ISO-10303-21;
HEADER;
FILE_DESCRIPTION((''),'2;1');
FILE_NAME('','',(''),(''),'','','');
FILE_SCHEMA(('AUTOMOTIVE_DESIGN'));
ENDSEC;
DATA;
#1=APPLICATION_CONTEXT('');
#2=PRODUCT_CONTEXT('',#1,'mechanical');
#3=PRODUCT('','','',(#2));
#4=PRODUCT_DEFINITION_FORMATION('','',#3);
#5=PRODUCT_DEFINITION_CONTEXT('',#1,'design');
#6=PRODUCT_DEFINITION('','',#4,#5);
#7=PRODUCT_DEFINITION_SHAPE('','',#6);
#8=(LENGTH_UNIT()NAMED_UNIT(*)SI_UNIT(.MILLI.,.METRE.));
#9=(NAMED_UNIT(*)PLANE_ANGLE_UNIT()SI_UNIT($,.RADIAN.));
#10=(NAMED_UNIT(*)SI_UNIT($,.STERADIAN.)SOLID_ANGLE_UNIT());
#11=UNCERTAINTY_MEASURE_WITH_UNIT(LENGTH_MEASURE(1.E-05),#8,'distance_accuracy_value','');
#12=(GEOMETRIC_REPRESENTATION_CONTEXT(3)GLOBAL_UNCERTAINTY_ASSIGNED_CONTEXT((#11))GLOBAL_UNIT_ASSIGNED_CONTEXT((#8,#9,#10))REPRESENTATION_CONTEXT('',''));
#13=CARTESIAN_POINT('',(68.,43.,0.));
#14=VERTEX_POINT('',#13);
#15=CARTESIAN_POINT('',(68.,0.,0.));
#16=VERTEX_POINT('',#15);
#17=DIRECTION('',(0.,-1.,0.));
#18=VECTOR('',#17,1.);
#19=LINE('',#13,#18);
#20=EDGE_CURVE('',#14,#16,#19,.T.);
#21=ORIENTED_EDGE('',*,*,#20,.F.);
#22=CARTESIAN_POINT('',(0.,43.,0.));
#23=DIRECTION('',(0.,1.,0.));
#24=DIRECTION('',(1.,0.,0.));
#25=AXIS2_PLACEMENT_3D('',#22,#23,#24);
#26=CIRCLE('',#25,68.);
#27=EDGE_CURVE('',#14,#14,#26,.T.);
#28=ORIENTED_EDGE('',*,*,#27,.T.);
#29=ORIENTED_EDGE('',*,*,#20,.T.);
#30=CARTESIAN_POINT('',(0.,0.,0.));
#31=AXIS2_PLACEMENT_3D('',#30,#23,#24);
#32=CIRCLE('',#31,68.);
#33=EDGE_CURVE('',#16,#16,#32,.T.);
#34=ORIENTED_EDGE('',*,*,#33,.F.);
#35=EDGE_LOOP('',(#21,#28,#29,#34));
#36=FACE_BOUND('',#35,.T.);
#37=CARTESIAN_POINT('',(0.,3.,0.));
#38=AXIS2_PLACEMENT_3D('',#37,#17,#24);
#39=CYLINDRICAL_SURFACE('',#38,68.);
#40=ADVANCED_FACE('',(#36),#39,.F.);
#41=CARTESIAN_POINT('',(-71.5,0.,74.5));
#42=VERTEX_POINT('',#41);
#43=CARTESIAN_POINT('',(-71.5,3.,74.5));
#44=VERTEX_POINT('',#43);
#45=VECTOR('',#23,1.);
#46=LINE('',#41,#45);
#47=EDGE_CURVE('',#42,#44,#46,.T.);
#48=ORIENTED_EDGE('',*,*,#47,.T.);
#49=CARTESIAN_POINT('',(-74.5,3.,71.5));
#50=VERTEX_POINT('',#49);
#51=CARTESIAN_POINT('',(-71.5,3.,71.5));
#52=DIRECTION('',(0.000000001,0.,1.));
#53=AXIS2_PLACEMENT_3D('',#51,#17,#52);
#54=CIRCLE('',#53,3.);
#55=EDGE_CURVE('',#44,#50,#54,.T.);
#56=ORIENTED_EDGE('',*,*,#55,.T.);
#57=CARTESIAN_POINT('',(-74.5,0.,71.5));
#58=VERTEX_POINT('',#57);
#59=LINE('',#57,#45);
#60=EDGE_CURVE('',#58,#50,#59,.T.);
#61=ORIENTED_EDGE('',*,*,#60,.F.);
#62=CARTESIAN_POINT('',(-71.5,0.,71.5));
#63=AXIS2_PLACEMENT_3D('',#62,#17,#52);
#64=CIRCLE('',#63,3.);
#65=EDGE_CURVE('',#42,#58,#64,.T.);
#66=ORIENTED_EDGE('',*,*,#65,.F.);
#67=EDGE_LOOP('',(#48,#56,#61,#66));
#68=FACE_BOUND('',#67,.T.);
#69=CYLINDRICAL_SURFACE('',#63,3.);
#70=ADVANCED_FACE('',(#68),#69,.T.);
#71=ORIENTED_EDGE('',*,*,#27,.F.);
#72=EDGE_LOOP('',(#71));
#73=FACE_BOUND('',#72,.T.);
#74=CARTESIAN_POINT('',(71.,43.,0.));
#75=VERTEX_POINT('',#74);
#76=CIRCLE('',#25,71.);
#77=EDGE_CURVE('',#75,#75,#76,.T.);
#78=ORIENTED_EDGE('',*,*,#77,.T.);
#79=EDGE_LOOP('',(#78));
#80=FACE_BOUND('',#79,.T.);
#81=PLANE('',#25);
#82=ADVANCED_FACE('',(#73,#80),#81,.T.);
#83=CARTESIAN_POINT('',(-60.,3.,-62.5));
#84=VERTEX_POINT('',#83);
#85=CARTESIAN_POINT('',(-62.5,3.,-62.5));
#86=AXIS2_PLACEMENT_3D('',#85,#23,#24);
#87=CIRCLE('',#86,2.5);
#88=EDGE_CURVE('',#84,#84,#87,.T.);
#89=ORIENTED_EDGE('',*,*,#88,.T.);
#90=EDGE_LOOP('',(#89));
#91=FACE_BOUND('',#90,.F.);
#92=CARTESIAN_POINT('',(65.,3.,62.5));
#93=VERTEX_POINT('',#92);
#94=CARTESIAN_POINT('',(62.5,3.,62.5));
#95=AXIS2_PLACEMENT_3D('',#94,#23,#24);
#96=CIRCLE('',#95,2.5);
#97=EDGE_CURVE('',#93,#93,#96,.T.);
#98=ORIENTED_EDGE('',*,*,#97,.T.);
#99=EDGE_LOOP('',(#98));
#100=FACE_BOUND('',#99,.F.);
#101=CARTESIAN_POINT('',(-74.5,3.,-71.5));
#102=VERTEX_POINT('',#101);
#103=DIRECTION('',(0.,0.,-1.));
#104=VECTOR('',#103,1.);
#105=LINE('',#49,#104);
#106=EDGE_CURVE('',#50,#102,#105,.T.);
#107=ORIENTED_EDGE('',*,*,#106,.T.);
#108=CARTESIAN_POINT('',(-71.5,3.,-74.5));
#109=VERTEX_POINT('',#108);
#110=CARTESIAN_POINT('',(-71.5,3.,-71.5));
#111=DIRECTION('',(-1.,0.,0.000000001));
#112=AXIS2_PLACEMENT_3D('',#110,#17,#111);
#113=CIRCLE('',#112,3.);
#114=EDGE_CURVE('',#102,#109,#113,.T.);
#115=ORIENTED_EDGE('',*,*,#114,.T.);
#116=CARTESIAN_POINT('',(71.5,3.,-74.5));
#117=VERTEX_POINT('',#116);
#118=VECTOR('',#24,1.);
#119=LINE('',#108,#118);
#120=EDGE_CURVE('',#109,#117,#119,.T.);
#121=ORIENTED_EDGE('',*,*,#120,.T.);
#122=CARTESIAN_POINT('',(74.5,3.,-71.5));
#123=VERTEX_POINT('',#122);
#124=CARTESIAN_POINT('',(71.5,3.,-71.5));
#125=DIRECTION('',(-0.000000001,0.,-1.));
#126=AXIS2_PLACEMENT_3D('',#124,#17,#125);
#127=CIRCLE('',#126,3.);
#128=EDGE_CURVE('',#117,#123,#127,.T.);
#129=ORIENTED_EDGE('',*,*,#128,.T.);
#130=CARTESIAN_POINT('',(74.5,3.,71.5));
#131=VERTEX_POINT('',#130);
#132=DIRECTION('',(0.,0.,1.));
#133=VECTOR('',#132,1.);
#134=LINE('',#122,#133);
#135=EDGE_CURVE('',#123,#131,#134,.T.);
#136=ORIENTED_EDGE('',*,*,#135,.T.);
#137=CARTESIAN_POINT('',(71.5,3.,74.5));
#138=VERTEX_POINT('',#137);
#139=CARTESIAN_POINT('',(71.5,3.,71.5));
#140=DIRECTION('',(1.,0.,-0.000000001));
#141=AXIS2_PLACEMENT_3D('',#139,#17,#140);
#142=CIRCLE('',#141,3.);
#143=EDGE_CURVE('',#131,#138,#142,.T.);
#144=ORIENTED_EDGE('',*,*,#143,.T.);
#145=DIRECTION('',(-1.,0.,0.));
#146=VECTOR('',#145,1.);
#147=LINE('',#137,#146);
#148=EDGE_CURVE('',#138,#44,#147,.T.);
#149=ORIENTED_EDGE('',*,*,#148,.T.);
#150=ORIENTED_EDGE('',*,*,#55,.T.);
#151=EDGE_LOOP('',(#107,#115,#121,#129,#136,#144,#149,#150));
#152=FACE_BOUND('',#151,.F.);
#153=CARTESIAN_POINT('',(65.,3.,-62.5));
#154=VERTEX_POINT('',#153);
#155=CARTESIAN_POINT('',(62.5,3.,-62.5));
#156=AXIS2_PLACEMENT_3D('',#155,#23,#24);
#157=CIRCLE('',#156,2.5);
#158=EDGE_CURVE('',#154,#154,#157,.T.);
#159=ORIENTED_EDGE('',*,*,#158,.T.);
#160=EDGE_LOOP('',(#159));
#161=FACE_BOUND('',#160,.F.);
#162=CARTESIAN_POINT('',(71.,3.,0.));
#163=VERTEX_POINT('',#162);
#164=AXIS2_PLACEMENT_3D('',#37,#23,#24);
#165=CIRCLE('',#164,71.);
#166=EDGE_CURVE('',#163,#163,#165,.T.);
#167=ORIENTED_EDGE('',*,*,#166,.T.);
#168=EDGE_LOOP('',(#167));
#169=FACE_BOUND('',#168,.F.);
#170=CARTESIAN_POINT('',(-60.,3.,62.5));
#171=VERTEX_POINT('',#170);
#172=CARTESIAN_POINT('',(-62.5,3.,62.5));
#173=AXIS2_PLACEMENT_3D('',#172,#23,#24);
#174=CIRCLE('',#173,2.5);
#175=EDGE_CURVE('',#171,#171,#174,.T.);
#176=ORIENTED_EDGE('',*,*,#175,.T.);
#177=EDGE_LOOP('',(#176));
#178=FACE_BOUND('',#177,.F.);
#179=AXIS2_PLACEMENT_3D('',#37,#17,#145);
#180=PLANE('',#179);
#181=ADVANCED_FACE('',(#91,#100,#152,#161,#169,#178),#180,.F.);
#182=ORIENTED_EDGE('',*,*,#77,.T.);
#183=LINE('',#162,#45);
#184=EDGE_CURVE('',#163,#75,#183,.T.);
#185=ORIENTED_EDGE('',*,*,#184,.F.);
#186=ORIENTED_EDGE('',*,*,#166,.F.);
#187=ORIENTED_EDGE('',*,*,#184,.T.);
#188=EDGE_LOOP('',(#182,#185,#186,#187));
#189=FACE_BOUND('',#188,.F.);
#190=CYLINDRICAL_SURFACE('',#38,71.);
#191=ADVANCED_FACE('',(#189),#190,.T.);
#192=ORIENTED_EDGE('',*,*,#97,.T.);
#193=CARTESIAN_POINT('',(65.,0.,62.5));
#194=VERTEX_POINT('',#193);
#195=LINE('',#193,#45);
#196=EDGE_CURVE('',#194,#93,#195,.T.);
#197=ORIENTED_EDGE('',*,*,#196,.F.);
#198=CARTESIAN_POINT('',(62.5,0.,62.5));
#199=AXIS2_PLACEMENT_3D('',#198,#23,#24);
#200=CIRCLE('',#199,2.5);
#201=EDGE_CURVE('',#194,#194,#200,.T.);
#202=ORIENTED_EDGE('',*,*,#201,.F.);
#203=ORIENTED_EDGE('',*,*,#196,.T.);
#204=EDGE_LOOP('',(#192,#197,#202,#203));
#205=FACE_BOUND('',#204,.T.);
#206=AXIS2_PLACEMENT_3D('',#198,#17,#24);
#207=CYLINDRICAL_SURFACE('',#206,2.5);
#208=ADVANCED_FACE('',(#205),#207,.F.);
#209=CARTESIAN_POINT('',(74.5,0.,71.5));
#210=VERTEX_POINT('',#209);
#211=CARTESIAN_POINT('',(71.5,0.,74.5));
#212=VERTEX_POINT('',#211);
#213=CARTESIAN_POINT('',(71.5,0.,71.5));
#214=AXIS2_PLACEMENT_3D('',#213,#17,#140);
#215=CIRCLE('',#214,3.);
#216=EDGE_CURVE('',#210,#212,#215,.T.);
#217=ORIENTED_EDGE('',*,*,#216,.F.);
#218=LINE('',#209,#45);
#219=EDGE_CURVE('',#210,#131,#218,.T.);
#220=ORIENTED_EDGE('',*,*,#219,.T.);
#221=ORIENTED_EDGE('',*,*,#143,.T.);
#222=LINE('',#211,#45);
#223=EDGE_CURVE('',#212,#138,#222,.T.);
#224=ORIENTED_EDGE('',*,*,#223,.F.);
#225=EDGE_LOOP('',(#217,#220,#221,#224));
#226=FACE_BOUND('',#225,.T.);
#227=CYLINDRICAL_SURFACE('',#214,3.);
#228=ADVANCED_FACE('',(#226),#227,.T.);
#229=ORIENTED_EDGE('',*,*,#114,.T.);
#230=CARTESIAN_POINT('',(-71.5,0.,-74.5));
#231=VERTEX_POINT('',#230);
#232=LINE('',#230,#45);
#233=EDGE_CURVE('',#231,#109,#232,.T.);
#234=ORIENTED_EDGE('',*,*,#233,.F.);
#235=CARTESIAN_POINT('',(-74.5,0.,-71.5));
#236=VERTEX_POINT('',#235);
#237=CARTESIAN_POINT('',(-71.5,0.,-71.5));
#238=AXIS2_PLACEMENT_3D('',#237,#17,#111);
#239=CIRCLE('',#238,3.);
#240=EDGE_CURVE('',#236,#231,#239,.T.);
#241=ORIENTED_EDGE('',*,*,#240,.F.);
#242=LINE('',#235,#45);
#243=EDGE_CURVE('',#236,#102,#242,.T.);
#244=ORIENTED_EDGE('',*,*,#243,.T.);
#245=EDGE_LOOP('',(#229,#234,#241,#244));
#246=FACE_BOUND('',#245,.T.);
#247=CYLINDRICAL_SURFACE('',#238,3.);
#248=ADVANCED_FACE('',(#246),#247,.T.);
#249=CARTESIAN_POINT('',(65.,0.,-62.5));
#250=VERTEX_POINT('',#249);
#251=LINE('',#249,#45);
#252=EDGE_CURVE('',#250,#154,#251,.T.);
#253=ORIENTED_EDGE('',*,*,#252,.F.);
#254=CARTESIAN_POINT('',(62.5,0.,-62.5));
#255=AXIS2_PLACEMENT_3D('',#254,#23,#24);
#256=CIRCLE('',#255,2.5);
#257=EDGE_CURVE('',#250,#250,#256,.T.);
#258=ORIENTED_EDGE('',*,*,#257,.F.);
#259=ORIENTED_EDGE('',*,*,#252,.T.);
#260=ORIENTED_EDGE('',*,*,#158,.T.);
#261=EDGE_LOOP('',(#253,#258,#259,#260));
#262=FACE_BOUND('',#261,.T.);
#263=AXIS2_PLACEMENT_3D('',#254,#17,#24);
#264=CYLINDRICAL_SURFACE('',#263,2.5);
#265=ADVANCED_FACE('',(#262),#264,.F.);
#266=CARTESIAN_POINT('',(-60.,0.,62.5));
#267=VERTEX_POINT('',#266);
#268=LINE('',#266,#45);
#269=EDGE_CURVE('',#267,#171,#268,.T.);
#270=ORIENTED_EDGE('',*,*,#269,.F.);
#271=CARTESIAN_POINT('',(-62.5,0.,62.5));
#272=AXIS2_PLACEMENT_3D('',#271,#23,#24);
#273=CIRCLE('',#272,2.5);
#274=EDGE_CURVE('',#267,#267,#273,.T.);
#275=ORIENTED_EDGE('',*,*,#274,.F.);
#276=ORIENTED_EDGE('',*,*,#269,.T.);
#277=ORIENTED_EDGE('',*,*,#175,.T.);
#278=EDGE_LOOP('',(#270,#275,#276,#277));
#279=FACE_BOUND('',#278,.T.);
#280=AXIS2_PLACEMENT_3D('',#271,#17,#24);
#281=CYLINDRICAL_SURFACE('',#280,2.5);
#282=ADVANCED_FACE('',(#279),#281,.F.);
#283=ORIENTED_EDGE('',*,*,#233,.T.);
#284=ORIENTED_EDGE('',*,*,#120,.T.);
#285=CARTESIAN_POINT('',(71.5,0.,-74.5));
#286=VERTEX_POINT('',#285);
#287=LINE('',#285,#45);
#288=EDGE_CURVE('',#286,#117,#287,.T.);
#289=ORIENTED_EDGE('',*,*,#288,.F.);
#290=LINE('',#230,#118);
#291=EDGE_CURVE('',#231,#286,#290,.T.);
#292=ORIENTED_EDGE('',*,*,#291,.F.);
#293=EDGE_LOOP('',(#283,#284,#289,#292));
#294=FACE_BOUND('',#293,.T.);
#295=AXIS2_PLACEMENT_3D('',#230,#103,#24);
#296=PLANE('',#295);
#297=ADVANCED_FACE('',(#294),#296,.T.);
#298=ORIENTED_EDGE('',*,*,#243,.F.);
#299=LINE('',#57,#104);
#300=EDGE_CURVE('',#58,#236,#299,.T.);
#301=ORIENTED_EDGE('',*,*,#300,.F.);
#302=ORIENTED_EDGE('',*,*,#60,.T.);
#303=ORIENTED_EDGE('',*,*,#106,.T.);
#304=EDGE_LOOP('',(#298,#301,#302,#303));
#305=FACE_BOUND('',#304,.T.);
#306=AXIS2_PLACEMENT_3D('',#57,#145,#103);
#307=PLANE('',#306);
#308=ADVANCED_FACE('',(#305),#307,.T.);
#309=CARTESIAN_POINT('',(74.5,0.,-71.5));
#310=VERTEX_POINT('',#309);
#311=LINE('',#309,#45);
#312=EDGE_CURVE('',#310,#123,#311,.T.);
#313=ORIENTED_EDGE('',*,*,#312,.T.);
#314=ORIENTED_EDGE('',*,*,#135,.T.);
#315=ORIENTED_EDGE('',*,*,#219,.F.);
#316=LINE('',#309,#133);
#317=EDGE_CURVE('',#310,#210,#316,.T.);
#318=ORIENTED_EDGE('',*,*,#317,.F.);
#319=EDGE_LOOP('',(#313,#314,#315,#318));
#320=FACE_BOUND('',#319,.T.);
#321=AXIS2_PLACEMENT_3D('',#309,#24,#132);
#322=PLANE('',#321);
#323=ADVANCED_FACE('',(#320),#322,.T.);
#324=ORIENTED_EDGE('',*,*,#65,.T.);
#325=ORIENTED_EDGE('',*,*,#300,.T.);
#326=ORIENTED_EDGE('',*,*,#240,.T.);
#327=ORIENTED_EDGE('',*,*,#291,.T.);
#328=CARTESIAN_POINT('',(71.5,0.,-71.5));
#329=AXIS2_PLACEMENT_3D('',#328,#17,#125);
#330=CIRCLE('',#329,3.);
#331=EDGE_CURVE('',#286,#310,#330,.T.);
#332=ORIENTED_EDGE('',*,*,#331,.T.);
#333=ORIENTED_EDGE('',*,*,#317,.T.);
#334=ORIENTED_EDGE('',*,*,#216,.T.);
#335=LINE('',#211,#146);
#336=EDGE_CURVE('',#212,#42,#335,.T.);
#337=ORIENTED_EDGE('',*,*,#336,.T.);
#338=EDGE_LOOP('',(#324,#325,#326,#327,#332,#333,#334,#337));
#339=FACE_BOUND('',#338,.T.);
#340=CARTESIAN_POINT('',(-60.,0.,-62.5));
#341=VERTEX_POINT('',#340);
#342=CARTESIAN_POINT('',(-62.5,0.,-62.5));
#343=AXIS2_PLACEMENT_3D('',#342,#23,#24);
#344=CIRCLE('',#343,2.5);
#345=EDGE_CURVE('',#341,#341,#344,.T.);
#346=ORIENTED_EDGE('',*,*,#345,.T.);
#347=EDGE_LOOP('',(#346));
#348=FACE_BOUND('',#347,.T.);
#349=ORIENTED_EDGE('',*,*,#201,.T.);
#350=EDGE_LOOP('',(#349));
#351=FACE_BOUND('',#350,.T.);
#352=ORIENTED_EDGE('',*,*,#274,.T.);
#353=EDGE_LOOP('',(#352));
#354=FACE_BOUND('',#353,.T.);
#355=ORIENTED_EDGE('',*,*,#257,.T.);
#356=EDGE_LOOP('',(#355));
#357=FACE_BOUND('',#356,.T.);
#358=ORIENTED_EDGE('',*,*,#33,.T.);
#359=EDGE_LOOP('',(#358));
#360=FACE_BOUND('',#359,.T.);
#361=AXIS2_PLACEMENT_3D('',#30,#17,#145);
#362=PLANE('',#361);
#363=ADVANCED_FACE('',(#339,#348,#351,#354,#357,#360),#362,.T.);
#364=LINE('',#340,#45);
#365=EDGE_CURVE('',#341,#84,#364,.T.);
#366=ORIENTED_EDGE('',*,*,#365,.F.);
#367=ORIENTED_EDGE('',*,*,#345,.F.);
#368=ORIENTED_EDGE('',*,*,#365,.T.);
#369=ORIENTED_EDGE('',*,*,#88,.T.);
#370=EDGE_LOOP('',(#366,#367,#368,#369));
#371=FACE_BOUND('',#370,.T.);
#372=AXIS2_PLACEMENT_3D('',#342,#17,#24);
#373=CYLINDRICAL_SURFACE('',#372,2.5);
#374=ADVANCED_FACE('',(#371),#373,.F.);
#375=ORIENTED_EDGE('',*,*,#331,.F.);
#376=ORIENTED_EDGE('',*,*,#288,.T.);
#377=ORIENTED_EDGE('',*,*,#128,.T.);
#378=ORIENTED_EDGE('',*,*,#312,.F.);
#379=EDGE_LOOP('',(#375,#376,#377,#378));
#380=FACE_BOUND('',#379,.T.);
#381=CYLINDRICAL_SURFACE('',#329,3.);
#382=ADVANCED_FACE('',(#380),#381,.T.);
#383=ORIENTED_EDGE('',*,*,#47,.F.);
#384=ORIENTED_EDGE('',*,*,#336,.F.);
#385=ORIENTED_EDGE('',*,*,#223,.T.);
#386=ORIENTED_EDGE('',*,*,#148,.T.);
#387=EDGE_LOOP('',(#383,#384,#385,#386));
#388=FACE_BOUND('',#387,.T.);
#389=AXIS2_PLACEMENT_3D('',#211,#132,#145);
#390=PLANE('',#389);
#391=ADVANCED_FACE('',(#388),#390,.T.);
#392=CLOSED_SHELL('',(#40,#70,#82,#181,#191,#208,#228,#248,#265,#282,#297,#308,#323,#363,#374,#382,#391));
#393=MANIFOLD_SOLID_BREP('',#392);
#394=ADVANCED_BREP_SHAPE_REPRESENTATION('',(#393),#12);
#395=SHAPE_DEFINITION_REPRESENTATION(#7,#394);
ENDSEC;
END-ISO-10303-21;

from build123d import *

# Parameters (mm, degrees)
SKETCH4_R           = 68
SKETCH4_R_2         = 2.5
BOSS_EXTRUDE5_DEPTH = 3
SKETCH5_R           = 71
SKETCH5_R_2         = 68
BOSS_EXTRUDE6_DEPTH = 40


with BuildPart() as part:
    # Sketch4 → Boss-Extrude5 (new body)
    with BuildSketch(Plane(origin=(0, 0, 0), x_dir=(1, 0, 0), z_dir=(0, 1, 0))):
        with BuildLine():
            Line((-71.5, 74.5), (71.5, 74.5))
            ThreePointArc((71.5, 74.5), (73.621320344, 73.621320344), (74.5, 71.5))
            Line((74.5, 71.5), (74.5, -71.5))
            ThreePointArc((74.5, -71.5), (73.621320344, -73.621320344), (71.5, -74.5))
            Line((71.5, -74.5), (-71.5, -74.5))
            ThreePointArc((-71.5, -74.5), (-73.621320344, -73.621320344), (-74.5, -71.5))
            Line((-74.5, -71.5), (-74.5, 71.5))
            ThreePointArc((-74.5, 71.5), (-73.621320344, 73.621320344), (-71.5, 74.5))
        make_face()
        Circle(SKETCH4_R, mode=Mode.SUBTRACT)
        with Locations((-62.5, 62.5)):
            Circle(SKETCH4_R_2, mode=Mode.SUBTRACT)
        with Locations((62.5, 62.5)):
            Circle(SKETCH4_R_2, mode=Mode.SUBTRACT)
        with Locations((62.5, -62.5)):
            Circle(SKETCH4_R_2, mode=Mode.SUBTRACT)
        with Locations((-62.5, -62.5)):
            Circle(SKETCH4_R_2, mode=Mode.SUBTRACT)
    extrude(amount=BOSS_EXTRUDE5_DEPTH)

    # Sketch5 → Boss-Extrude6 (add)
    with BuildSketch(Plane(origin=(0, 3, 0), x_dir=(1, 0, 0), z_dir=(0, 1, 0))):
        Circle(SKETCH5_R)
        Circle(SKETCH5_R_2, mode=Mode.SUBTRACT)
    extrude(amount=BOSS_EXTRUDE6_DEPTH)


solid = part.part
